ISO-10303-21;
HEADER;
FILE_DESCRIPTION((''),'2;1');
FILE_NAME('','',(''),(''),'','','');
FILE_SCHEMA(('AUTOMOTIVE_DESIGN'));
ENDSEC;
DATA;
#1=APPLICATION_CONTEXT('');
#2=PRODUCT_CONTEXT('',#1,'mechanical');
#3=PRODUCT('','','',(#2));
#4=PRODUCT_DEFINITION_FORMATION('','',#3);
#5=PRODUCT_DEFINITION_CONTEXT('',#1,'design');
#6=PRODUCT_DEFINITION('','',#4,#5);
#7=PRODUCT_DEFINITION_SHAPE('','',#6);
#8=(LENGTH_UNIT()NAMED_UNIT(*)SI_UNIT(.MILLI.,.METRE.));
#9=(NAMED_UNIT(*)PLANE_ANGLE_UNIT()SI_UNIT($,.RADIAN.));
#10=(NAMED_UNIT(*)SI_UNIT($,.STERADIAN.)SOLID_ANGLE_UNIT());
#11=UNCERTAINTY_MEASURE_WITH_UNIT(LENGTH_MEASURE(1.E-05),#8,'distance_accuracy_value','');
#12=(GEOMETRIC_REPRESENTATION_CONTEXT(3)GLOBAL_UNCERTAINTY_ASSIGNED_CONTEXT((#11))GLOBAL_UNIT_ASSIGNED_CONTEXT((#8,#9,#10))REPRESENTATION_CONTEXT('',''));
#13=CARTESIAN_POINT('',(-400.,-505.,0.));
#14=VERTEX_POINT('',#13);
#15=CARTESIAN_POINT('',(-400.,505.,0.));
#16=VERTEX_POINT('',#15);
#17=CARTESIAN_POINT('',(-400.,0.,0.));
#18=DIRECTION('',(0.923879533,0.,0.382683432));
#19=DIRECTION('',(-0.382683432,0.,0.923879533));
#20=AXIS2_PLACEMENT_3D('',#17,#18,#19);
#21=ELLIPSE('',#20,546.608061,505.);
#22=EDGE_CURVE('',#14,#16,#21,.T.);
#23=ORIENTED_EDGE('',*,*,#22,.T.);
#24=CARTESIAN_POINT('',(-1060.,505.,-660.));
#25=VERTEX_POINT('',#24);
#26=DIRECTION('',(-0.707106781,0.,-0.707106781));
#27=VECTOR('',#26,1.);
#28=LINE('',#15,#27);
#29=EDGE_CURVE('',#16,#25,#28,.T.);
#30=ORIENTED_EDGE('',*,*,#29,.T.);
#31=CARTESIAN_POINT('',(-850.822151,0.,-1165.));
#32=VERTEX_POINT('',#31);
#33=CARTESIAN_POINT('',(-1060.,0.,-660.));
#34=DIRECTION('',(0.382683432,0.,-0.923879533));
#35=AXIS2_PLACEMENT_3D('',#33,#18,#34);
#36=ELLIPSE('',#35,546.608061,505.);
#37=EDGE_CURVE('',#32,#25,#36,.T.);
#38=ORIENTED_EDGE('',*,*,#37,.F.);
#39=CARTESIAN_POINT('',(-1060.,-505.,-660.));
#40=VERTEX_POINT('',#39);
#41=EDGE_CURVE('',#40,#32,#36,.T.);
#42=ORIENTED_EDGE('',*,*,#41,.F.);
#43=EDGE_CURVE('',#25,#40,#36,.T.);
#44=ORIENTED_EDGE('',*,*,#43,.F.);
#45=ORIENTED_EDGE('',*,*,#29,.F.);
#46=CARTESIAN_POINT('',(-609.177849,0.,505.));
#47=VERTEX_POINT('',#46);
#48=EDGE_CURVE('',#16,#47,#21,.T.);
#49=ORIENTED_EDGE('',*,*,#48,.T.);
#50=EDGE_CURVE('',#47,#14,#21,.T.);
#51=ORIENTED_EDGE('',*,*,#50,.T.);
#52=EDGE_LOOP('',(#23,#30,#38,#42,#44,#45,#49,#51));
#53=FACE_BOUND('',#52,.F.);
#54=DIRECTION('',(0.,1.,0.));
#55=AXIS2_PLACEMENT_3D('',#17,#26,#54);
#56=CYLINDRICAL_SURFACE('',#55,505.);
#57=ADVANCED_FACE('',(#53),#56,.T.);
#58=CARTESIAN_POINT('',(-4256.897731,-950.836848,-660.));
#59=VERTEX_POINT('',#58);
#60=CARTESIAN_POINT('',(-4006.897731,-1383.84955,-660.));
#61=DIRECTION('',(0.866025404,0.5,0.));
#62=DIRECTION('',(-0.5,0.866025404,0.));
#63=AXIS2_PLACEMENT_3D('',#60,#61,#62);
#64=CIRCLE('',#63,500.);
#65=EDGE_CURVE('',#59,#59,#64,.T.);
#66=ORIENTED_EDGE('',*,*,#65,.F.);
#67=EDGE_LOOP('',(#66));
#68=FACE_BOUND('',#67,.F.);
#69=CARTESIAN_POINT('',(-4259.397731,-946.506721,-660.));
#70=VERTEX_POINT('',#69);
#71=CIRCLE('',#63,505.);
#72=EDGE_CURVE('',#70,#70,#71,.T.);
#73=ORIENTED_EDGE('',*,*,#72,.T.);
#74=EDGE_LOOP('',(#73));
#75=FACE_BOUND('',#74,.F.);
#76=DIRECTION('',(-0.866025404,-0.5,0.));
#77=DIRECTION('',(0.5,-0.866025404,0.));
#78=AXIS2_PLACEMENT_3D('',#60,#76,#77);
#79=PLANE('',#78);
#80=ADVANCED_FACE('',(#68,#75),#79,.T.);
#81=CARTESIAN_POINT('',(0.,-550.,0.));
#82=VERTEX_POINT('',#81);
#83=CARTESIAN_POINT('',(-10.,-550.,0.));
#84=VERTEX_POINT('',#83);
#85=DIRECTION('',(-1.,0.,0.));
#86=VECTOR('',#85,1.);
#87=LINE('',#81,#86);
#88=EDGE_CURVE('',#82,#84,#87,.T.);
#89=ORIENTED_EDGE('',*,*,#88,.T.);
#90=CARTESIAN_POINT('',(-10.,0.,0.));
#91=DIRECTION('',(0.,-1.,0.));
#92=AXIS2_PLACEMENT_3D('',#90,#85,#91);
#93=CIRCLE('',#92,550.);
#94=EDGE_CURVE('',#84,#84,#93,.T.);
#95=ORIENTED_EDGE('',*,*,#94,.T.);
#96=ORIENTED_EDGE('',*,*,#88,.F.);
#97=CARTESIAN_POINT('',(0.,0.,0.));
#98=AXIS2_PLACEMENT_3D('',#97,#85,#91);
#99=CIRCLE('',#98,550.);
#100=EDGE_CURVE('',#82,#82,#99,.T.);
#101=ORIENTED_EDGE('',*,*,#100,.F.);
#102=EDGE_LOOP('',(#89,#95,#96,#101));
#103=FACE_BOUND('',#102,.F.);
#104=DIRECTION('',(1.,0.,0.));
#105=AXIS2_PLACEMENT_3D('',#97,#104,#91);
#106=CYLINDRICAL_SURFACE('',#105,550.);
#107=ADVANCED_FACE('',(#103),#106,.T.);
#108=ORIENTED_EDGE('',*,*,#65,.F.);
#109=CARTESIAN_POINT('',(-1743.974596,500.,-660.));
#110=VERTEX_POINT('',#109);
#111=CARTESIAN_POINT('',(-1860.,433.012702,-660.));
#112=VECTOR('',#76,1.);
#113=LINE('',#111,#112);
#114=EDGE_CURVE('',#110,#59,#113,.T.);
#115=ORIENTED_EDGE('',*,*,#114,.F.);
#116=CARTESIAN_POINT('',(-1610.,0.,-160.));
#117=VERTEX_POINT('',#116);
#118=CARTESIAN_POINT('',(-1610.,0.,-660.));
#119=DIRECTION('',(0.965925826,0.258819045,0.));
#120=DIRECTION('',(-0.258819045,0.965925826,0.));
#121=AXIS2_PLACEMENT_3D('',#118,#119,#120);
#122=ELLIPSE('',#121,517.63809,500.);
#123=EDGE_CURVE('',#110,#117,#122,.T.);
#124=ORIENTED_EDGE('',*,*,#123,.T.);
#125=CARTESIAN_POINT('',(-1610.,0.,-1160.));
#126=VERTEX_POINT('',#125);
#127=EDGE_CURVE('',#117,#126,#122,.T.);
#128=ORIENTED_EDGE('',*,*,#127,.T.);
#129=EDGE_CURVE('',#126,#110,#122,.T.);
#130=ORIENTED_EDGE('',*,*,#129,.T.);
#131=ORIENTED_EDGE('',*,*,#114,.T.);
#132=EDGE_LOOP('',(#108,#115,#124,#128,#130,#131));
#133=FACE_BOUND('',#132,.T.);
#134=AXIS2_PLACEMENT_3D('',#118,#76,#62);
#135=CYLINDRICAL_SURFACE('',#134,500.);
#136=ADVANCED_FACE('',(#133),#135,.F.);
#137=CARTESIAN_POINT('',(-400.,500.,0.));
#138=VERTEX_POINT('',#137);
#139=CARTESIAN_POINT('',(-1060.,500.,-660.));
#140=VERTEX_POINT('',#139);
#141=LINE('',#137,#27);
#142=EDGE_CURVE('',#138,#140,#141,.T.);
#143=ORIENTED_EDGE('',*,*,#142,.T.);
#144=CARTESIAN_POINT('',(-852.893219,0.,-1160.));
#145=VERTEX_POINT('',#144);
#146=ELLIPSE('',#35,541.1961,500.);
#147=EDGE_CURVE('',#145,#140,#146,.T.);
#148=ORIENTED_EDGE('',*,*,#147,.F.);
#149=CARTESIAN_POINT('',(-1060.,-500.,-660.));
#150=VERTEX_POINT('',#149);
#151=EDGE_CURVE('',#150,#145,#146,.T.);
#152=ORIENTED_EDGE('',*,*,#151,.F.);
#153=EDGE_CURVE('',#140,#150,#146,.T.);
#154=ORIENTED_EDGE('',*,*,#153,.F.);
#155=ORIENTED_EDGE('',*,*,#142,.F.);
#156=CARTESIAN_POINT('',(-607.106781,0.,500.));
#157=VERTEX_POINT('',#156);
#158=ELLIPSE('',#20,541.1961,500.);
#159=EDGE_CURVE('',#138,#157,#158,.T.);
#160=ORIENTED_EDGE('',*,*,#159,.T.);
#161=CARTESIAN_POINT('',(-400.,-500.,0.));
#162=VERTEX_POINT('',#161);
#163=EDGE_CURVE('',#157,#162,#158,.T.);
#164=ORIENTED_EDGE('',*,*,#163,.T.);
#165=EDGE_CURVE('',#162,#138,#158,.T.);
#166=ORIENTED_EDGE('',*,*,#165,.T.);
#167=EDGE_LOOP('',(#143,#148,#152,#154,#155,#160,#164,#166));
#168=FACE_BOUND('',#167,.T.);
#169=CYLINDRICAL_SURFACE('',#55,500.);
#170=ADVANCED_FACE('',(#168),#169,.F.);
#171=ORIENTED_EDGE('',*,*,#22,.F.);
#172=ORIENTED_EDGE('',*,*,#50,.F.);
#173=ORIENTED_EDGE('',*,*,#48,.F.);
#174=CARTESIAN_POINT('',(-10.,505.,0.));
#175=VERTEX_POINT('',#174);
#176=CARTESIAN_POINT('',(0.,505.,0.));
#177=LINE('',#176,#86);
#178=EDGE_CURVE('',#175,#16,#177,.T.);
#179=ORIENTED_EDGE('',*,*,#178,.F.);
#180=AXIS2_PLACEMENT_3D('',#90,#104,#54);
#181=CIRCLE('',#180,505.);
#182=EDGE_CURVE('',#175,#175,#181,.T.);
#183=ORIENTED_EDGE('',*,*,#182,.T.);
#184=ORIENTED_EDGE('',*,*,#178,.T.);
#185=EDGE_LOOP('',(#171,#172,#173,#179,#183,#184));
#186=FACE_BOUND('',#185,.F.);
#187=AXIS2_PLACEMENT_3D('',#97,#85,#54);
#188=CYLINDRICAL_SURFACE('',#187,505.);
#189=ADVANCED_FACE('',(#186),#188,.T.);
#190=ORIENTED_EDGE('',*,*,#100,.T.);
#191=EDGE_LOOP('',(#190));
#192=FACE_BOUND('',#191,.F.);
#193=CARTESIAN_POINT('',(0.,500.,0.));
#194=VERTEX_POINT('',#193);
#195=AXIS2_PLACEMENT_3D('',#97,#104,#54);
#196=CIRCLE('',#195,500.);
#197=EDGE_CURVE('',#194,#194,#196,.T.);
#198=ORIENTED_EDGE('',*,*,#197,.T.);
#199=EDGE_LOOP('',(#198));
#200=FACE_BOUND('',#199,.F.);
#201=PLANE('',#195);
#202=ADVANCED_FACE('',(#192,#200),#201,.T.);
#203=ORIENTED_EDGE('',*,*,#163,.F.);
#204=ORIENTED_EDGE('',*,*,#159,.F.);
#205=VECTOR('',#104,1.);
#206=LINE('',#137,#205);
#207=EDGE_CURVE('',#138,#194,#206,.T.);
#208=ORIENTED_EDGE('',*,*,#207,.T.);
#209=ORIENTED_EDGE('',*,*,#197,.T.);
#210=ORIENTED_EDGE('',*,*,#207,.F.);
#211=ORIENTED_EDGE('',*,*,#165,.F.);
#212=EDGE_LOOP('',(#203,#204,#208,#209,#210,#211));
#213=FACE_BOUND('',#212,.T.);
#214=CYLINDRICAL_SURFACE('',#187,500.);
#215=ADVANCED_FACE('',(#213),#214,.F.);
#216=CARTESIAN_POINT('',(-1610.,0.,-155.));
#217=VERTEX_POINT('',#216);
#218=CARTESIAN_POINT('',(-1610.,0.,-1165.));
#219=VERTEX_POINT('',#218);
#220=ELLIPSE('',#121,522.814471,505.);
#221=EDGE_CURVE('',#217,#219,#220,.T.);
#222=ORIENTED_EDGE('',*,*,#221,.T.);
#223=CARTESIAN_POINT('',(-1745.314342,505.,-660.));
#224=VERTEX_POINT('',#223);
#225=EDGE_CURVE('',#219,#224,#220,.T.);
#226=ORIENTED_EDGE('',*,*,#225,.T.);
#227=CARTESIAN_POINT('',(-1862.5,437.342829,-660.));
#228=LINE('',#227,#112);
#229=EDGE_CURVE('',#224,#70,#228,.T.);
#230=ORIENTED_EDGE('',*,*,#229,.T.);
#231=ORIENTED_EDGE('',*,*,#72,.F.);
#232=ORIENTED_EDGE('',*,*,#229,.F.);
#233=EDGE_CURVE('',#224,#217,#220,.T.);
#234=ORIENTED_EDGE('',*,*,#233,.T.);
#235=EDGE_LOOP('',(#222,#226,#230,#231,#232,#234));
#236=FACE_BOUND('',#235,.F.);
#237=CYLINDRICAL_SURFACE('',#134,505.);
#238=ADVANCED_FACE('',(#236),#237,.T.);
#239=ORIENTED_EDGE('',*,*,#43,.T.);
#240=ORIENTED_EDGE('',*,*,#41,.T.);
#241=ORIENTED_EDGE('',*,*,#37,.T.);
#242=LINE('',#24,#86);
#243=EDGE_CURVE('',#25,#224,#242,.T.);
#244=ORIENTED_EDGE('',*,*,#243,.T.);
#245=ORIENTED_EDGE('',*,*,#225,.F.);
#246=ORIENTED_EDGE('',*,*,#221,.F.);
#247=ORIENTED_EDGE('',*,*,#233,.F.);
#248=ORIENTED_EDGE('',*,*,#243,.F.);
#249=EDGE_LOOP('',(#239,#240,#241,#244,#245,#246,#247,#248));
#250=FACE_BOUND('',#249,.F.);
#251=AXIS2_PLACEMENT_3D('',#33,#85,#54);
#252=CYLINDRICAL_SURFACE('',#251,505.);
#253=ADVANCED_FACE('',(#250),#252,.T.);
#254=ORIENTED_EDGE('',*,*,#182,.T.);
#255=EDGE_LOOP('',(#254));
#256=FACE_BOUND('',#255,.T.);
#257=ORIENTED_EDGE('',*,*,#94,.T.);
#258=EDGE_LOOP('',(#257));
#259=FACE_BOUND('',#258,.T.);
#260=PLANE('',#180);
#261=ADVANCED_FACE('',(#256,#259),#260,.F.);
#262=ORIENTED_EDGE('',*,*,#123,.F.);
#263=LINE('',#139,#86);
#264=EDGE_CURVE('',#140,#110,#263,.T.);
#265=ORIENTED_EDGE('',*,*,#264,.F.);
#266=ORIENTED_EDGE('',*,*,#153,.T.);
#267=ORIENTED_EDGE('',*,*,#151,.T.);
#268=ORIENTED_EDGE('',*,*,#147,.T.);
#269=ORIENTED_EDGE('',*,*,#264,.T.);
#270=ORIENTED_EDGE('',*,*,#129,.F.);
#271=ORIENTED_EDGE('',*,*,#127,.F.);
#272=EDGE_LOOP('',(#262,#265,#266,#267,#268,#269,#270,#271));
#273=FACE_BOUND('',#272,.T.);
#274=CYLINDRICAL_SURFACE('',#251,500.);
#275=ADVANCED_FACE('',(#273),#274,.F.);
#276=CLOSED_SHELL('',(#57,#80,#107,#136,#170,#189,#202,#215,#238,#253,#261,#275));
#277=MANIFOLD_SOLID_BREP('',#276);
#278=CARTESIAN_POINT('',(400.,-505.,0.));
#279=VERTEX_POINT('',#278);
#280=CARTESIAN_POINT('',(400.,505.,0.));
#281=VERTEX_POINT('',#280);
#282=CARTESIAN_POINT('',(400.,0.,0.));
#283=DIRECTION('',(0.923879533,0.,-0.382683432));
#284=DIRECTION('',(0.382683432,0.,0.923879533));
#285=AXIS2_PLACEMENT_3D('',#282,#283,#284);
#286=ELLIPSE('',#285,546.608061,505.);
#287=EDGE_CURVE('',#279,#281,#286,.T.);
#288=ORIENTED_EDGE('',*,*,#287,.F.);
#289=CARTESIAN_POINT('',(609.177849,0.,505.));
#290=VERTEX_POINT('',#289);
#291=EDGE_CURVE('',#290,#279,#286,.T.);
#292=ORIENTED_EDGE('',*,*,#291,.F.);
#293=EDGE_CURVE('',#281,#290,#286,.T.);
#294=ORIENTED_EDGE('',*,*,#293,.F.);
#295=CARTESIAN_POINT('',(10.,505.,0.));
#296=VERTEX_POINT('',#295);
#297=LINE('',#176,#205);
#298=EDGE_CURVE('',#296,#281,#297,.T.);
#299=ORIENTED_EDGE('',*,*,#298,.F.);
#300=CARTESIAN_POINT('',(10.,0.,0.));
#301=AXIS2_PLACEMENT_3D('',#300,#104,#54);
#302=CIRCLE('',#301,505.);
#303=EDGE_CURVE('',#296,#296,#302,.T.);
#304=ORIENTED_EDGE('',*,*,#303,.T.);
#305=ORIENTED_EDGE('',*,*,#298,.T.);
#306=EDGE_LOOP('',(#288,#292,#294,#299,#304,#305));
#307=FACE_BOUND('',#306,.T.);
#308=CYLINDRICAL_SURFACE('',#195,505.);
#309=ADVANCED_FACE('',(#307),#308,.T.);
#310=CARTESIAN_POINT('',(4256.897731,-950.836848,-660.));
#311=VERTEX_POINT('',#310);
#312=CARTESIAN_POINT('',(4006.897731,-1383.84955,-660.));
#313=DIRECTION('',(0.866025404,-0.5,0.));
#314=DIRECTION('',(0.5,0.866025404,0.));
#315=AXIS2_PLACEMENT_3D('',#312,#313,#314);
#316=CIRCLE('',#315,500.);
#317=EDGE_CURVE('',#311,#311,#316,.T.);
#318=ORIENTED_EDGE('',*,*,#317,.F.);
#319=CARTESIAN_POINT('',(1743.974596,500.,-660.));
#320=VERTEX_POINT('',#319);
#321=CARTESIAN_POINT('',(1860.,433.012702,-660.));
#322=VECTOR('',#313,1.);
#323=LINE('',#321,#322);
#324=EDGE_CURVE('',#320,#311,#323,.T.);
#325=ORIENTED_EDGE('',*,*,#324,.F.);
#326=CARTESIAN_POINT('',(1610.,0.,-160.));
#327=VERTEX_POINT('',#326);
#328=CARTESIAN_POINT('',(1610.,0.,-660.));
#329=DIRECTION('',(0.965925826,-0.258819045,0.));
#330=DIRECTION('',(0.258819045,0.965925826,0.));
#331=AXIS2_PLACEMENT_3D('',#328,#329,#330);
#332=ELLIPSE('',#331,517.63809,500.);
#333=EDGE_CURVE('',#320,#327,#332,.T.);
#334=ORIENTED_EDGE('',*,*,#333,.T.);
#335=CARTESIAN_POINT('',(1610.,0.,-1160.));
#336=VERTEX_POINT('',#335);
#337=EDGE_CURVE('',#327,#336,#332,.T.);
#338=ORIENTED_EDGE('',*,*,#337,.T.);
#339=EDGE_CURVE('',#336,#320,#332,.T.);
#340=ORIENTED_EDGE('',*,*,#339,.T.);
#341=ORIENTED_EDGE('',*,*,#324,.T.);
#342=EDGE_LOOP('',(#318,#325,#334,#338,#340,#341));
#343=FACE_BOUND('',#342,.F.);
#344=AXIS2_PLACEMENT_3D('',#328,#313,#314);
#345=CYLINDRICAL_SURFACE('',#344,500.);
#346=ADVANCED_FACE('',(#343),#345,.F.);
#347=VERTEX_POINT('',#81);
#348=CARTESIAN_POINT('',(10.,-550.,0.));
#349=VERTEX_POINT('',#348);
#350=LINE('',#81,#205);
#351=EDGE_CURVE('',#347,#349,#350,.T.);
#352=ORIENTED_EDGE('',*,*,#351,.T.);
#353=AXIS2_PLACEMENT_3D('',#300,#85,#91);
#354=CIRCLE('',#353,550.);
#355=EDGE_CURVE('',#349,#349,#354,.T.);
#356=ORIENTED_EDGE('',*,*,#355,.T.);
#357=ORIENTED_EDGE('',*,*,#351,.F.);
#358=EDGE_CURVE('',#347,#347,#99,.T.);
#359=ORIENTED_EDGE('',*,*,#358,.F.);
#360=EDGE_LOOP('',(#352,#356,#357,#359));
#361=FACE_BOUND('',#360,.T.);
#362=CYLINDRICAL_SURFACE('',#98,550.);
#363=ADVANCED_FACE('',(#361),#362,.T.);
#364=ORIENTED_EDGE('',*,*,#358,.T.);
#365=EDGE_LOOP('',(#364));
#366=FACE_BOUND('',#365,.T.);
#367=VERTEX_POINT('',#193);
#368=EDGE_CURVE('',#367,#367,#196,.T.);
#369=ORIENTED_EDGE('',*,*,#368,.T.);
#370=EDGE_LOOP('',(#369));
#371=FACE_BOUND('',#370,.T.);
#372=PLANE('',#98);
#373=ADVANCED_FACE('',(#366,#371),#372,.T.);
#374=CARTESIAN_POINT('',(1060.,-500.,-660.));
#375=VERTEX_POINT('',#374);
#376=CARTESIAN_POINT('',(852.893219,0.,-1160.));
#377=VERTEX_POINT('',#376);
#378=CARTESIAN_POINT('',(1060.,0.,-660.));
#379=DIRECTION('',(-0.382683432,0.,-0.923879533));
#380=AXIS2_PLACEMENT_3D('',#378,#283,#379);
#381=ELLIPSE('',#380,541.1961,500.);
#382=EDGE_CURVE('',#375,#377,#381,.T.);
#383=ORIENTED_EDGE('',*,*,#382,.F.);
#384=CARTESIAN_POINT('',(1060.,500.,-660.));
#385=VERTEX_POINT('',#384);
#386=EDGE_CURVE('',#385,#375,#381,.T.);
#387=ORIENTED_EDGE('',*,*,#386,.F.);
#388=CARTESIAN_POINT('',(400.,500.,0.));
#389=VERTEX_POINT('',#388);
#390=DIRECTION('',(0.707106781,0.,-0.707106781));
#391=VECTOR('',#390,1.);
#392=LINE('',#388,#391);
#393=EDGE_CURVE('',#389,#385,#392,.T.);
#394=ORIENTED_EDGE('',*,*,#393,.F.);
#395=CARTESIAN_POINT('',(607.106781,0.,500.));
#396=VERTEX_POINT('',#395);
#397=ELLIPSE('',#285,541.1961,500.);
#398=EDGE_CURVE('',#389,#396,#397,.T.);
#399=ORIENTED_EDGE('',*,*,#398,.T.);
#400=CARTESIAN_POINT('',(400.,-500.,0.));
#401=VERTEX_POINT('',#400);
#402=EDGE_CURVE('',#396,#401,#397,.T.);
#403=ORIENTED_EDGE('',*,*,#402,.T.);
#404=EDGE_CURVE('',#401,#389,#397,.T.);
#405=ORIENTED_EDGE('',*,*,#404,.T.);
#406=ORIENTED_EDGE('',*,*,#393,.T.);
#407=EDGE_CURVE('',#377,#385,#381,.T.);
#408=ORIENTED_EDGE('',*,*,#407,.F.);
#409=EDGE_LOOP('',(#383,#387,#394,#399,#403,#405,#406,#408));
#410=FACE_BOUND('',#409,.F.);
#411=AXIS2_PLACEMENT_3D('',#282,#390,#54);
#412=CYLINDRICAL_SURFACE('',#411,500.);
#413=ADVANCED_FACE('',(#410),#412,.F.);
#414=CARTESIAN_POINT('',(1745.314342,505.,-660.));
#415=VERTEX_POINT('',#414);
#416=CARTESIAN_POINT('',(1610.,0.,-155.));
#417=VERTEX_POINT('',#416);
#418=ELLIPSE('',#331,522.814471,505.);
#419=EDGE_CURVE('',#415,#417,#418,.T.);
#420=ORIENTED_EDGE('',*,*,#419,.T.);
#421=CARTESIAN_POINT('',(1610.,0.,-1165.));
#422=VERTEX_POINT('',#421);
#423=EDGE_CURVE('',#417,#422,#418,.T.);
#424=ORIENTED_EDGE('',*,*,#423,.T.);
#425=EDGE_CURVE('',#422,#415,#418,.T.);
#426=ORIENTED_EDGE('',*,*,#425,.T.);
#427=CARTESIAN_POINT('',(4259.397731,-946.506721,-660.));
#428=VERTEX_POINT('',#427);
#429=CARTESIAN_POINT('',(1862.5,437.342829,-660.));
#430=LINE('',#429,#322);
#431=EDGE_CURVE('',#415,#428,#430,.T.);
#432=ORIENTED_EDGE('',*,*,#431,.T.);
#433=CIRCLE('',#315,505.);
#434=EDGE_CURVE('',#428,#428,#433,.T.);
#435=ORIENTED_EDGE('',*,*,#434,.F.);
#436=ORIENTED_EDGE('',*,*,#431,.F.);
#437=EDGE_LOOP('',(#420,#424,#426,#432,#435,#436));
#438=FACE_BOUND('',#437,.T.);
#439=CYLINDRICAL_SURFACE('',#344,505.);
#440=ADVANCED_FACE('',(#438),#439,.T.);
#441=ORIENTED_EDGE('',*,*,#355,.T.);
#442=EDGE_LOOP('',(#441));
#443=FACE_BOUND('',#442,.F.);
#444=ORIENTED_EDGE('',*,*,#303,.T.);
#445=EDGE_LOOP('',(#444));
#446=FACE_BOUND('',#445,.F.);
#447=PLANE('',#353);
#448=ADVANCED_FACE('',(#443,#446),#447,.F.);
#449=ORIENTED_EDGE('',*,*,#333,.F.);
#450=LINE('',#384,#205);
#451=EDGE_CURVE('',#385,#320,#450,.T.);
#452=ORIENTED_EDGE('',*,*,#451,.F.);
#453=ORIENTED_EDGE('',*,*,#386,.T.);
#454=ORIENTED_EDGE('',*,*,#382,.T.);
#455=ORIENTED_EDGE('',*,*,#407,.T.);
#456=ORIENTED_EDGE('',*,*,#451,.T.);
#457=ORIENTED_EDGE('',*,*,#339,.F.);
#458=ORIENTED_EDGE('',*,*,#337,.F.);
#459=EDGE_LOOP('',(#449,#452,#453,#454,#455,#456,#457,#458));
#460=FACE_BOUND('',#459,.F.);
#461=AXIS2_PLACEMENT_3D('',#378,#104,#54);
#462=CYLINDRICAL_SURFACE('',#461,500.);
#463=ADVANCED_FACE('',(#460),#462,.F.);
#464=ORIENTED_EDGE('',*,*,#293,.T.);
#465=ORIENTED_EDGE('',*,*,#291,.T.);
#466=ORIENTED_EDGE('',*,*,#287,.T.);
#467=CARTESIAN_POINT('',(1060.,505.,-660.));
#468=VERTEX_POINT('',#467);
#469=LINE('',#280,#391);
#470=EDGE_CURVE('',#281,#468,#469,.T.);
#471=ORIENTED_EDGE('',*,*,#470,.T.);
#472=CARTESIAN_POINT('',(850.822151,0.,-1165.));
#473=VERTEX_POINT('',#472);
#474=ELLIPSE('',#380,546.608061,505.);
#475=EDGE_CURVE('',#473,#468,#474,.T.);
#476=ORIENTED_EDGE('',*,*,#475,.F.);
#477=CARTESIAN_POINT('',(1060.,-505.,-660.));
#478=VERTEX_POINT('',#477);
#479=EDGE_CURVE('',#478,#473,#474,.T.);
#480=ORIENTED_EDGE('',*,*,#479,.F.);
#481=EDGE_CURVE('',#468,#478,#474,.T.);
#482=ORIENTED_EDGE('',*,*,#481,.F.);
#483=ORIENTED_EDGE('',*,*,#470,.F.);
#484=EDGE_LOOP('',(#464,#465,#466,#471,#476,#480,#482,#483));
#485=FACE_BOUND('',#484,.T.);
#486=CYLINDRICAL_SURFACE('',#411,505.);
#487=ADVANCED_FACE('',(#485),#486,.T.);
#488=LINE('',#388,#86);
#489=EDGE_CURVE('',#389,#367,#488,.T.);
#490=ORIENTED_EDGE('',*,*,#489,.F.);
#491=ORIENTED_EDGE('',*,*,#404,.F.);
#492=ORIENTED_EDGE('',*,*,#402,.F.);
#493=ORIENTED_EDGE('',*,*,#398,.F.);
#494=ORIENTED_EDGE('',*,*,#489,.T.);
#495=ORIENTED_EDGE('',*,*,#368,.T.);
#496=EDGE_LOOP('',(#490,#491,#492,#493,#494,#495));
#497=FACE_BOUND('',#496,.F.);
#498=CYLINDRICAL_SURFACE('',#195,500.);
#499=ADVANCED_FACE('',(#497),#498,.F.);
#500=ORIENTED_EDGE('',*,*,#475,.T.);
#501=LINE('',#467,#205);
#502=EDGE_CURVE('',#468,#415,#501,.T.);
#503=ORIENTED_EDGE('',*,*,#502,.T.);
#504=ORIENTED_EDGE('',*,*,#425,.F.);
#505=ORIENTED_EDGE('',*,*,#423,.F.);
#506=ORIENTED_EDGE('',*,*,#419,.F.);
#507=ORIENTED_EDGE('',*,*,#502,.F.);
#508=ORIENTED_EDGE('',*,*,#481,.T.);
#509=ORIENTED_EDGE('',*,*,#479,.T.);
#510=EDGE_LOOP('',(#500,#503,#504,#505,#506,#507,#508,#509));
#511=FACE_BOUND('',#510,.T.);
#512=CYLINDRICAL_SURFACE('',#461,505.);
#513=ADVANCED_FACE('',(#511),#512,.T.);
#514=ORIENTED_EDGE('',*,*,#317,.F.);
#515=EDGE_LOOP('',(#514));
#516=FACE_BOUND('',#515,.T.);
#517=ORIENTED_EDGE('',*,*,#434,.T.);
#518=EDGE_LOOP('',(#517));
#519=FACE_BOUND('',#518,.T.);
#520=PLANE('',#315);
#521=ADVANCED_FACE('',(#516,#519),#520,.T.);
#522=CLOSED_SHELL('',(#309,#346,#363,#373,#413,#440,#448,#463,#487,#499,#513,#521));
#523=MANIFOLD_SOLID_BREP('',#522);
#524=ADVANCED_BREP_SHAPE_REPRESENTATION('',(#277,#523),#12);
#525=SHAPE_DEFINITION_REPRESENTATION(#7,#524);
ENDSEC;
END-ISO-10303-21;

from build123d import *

# Parameters (mm, degrees)
F4_R     = 505
F4_R_2   = 500
F6_R     = 550
F6_R_2   = 500
F7_DEPTH = 10


with BuildPart() as f5:
    # F5: sweep along a path in F3, F2
    with BuildLine(Plane.XZ) as f5_path:
        Line((0, 0), (400, 0))
        Line((400, 0), (1060, -660))
        Line((1060, -660), (1610, -660))
    with BuildLine(Plane.XY.offset(-660)) as f5_path_2:
        Line((1610, 0), (4006.8977305508, -1383.8495499535))
    # F4 (on Right) → F5 (sweep)
    with BuildSketch(Plane.YZ):
        Circle(F4_R)
        Circle(F4_R_2, mode=Mode.SUBTRACT)
    sweep(path=f5_path.line + f5_path_2.line, transition=Transition.RIGHT)

    # F6 (on face) → F7 (join)
    with BuildSketch(Plane(origin=(0, 0, 0), x_dir=(0, -1, 0), z_dir=(-1, 0, 0))):
        Circle(F6_R)
        Circle(F6_R_2, mode=Mode.SUBTRACT)
    extrude(amount=-F7_DEPTH)


with BuildPart() as f8_1:
    # F8: instance of F5
    add(f5.part.mirror(Plane.YZ))


solid = Compound([f5.part, f8_1.part])
